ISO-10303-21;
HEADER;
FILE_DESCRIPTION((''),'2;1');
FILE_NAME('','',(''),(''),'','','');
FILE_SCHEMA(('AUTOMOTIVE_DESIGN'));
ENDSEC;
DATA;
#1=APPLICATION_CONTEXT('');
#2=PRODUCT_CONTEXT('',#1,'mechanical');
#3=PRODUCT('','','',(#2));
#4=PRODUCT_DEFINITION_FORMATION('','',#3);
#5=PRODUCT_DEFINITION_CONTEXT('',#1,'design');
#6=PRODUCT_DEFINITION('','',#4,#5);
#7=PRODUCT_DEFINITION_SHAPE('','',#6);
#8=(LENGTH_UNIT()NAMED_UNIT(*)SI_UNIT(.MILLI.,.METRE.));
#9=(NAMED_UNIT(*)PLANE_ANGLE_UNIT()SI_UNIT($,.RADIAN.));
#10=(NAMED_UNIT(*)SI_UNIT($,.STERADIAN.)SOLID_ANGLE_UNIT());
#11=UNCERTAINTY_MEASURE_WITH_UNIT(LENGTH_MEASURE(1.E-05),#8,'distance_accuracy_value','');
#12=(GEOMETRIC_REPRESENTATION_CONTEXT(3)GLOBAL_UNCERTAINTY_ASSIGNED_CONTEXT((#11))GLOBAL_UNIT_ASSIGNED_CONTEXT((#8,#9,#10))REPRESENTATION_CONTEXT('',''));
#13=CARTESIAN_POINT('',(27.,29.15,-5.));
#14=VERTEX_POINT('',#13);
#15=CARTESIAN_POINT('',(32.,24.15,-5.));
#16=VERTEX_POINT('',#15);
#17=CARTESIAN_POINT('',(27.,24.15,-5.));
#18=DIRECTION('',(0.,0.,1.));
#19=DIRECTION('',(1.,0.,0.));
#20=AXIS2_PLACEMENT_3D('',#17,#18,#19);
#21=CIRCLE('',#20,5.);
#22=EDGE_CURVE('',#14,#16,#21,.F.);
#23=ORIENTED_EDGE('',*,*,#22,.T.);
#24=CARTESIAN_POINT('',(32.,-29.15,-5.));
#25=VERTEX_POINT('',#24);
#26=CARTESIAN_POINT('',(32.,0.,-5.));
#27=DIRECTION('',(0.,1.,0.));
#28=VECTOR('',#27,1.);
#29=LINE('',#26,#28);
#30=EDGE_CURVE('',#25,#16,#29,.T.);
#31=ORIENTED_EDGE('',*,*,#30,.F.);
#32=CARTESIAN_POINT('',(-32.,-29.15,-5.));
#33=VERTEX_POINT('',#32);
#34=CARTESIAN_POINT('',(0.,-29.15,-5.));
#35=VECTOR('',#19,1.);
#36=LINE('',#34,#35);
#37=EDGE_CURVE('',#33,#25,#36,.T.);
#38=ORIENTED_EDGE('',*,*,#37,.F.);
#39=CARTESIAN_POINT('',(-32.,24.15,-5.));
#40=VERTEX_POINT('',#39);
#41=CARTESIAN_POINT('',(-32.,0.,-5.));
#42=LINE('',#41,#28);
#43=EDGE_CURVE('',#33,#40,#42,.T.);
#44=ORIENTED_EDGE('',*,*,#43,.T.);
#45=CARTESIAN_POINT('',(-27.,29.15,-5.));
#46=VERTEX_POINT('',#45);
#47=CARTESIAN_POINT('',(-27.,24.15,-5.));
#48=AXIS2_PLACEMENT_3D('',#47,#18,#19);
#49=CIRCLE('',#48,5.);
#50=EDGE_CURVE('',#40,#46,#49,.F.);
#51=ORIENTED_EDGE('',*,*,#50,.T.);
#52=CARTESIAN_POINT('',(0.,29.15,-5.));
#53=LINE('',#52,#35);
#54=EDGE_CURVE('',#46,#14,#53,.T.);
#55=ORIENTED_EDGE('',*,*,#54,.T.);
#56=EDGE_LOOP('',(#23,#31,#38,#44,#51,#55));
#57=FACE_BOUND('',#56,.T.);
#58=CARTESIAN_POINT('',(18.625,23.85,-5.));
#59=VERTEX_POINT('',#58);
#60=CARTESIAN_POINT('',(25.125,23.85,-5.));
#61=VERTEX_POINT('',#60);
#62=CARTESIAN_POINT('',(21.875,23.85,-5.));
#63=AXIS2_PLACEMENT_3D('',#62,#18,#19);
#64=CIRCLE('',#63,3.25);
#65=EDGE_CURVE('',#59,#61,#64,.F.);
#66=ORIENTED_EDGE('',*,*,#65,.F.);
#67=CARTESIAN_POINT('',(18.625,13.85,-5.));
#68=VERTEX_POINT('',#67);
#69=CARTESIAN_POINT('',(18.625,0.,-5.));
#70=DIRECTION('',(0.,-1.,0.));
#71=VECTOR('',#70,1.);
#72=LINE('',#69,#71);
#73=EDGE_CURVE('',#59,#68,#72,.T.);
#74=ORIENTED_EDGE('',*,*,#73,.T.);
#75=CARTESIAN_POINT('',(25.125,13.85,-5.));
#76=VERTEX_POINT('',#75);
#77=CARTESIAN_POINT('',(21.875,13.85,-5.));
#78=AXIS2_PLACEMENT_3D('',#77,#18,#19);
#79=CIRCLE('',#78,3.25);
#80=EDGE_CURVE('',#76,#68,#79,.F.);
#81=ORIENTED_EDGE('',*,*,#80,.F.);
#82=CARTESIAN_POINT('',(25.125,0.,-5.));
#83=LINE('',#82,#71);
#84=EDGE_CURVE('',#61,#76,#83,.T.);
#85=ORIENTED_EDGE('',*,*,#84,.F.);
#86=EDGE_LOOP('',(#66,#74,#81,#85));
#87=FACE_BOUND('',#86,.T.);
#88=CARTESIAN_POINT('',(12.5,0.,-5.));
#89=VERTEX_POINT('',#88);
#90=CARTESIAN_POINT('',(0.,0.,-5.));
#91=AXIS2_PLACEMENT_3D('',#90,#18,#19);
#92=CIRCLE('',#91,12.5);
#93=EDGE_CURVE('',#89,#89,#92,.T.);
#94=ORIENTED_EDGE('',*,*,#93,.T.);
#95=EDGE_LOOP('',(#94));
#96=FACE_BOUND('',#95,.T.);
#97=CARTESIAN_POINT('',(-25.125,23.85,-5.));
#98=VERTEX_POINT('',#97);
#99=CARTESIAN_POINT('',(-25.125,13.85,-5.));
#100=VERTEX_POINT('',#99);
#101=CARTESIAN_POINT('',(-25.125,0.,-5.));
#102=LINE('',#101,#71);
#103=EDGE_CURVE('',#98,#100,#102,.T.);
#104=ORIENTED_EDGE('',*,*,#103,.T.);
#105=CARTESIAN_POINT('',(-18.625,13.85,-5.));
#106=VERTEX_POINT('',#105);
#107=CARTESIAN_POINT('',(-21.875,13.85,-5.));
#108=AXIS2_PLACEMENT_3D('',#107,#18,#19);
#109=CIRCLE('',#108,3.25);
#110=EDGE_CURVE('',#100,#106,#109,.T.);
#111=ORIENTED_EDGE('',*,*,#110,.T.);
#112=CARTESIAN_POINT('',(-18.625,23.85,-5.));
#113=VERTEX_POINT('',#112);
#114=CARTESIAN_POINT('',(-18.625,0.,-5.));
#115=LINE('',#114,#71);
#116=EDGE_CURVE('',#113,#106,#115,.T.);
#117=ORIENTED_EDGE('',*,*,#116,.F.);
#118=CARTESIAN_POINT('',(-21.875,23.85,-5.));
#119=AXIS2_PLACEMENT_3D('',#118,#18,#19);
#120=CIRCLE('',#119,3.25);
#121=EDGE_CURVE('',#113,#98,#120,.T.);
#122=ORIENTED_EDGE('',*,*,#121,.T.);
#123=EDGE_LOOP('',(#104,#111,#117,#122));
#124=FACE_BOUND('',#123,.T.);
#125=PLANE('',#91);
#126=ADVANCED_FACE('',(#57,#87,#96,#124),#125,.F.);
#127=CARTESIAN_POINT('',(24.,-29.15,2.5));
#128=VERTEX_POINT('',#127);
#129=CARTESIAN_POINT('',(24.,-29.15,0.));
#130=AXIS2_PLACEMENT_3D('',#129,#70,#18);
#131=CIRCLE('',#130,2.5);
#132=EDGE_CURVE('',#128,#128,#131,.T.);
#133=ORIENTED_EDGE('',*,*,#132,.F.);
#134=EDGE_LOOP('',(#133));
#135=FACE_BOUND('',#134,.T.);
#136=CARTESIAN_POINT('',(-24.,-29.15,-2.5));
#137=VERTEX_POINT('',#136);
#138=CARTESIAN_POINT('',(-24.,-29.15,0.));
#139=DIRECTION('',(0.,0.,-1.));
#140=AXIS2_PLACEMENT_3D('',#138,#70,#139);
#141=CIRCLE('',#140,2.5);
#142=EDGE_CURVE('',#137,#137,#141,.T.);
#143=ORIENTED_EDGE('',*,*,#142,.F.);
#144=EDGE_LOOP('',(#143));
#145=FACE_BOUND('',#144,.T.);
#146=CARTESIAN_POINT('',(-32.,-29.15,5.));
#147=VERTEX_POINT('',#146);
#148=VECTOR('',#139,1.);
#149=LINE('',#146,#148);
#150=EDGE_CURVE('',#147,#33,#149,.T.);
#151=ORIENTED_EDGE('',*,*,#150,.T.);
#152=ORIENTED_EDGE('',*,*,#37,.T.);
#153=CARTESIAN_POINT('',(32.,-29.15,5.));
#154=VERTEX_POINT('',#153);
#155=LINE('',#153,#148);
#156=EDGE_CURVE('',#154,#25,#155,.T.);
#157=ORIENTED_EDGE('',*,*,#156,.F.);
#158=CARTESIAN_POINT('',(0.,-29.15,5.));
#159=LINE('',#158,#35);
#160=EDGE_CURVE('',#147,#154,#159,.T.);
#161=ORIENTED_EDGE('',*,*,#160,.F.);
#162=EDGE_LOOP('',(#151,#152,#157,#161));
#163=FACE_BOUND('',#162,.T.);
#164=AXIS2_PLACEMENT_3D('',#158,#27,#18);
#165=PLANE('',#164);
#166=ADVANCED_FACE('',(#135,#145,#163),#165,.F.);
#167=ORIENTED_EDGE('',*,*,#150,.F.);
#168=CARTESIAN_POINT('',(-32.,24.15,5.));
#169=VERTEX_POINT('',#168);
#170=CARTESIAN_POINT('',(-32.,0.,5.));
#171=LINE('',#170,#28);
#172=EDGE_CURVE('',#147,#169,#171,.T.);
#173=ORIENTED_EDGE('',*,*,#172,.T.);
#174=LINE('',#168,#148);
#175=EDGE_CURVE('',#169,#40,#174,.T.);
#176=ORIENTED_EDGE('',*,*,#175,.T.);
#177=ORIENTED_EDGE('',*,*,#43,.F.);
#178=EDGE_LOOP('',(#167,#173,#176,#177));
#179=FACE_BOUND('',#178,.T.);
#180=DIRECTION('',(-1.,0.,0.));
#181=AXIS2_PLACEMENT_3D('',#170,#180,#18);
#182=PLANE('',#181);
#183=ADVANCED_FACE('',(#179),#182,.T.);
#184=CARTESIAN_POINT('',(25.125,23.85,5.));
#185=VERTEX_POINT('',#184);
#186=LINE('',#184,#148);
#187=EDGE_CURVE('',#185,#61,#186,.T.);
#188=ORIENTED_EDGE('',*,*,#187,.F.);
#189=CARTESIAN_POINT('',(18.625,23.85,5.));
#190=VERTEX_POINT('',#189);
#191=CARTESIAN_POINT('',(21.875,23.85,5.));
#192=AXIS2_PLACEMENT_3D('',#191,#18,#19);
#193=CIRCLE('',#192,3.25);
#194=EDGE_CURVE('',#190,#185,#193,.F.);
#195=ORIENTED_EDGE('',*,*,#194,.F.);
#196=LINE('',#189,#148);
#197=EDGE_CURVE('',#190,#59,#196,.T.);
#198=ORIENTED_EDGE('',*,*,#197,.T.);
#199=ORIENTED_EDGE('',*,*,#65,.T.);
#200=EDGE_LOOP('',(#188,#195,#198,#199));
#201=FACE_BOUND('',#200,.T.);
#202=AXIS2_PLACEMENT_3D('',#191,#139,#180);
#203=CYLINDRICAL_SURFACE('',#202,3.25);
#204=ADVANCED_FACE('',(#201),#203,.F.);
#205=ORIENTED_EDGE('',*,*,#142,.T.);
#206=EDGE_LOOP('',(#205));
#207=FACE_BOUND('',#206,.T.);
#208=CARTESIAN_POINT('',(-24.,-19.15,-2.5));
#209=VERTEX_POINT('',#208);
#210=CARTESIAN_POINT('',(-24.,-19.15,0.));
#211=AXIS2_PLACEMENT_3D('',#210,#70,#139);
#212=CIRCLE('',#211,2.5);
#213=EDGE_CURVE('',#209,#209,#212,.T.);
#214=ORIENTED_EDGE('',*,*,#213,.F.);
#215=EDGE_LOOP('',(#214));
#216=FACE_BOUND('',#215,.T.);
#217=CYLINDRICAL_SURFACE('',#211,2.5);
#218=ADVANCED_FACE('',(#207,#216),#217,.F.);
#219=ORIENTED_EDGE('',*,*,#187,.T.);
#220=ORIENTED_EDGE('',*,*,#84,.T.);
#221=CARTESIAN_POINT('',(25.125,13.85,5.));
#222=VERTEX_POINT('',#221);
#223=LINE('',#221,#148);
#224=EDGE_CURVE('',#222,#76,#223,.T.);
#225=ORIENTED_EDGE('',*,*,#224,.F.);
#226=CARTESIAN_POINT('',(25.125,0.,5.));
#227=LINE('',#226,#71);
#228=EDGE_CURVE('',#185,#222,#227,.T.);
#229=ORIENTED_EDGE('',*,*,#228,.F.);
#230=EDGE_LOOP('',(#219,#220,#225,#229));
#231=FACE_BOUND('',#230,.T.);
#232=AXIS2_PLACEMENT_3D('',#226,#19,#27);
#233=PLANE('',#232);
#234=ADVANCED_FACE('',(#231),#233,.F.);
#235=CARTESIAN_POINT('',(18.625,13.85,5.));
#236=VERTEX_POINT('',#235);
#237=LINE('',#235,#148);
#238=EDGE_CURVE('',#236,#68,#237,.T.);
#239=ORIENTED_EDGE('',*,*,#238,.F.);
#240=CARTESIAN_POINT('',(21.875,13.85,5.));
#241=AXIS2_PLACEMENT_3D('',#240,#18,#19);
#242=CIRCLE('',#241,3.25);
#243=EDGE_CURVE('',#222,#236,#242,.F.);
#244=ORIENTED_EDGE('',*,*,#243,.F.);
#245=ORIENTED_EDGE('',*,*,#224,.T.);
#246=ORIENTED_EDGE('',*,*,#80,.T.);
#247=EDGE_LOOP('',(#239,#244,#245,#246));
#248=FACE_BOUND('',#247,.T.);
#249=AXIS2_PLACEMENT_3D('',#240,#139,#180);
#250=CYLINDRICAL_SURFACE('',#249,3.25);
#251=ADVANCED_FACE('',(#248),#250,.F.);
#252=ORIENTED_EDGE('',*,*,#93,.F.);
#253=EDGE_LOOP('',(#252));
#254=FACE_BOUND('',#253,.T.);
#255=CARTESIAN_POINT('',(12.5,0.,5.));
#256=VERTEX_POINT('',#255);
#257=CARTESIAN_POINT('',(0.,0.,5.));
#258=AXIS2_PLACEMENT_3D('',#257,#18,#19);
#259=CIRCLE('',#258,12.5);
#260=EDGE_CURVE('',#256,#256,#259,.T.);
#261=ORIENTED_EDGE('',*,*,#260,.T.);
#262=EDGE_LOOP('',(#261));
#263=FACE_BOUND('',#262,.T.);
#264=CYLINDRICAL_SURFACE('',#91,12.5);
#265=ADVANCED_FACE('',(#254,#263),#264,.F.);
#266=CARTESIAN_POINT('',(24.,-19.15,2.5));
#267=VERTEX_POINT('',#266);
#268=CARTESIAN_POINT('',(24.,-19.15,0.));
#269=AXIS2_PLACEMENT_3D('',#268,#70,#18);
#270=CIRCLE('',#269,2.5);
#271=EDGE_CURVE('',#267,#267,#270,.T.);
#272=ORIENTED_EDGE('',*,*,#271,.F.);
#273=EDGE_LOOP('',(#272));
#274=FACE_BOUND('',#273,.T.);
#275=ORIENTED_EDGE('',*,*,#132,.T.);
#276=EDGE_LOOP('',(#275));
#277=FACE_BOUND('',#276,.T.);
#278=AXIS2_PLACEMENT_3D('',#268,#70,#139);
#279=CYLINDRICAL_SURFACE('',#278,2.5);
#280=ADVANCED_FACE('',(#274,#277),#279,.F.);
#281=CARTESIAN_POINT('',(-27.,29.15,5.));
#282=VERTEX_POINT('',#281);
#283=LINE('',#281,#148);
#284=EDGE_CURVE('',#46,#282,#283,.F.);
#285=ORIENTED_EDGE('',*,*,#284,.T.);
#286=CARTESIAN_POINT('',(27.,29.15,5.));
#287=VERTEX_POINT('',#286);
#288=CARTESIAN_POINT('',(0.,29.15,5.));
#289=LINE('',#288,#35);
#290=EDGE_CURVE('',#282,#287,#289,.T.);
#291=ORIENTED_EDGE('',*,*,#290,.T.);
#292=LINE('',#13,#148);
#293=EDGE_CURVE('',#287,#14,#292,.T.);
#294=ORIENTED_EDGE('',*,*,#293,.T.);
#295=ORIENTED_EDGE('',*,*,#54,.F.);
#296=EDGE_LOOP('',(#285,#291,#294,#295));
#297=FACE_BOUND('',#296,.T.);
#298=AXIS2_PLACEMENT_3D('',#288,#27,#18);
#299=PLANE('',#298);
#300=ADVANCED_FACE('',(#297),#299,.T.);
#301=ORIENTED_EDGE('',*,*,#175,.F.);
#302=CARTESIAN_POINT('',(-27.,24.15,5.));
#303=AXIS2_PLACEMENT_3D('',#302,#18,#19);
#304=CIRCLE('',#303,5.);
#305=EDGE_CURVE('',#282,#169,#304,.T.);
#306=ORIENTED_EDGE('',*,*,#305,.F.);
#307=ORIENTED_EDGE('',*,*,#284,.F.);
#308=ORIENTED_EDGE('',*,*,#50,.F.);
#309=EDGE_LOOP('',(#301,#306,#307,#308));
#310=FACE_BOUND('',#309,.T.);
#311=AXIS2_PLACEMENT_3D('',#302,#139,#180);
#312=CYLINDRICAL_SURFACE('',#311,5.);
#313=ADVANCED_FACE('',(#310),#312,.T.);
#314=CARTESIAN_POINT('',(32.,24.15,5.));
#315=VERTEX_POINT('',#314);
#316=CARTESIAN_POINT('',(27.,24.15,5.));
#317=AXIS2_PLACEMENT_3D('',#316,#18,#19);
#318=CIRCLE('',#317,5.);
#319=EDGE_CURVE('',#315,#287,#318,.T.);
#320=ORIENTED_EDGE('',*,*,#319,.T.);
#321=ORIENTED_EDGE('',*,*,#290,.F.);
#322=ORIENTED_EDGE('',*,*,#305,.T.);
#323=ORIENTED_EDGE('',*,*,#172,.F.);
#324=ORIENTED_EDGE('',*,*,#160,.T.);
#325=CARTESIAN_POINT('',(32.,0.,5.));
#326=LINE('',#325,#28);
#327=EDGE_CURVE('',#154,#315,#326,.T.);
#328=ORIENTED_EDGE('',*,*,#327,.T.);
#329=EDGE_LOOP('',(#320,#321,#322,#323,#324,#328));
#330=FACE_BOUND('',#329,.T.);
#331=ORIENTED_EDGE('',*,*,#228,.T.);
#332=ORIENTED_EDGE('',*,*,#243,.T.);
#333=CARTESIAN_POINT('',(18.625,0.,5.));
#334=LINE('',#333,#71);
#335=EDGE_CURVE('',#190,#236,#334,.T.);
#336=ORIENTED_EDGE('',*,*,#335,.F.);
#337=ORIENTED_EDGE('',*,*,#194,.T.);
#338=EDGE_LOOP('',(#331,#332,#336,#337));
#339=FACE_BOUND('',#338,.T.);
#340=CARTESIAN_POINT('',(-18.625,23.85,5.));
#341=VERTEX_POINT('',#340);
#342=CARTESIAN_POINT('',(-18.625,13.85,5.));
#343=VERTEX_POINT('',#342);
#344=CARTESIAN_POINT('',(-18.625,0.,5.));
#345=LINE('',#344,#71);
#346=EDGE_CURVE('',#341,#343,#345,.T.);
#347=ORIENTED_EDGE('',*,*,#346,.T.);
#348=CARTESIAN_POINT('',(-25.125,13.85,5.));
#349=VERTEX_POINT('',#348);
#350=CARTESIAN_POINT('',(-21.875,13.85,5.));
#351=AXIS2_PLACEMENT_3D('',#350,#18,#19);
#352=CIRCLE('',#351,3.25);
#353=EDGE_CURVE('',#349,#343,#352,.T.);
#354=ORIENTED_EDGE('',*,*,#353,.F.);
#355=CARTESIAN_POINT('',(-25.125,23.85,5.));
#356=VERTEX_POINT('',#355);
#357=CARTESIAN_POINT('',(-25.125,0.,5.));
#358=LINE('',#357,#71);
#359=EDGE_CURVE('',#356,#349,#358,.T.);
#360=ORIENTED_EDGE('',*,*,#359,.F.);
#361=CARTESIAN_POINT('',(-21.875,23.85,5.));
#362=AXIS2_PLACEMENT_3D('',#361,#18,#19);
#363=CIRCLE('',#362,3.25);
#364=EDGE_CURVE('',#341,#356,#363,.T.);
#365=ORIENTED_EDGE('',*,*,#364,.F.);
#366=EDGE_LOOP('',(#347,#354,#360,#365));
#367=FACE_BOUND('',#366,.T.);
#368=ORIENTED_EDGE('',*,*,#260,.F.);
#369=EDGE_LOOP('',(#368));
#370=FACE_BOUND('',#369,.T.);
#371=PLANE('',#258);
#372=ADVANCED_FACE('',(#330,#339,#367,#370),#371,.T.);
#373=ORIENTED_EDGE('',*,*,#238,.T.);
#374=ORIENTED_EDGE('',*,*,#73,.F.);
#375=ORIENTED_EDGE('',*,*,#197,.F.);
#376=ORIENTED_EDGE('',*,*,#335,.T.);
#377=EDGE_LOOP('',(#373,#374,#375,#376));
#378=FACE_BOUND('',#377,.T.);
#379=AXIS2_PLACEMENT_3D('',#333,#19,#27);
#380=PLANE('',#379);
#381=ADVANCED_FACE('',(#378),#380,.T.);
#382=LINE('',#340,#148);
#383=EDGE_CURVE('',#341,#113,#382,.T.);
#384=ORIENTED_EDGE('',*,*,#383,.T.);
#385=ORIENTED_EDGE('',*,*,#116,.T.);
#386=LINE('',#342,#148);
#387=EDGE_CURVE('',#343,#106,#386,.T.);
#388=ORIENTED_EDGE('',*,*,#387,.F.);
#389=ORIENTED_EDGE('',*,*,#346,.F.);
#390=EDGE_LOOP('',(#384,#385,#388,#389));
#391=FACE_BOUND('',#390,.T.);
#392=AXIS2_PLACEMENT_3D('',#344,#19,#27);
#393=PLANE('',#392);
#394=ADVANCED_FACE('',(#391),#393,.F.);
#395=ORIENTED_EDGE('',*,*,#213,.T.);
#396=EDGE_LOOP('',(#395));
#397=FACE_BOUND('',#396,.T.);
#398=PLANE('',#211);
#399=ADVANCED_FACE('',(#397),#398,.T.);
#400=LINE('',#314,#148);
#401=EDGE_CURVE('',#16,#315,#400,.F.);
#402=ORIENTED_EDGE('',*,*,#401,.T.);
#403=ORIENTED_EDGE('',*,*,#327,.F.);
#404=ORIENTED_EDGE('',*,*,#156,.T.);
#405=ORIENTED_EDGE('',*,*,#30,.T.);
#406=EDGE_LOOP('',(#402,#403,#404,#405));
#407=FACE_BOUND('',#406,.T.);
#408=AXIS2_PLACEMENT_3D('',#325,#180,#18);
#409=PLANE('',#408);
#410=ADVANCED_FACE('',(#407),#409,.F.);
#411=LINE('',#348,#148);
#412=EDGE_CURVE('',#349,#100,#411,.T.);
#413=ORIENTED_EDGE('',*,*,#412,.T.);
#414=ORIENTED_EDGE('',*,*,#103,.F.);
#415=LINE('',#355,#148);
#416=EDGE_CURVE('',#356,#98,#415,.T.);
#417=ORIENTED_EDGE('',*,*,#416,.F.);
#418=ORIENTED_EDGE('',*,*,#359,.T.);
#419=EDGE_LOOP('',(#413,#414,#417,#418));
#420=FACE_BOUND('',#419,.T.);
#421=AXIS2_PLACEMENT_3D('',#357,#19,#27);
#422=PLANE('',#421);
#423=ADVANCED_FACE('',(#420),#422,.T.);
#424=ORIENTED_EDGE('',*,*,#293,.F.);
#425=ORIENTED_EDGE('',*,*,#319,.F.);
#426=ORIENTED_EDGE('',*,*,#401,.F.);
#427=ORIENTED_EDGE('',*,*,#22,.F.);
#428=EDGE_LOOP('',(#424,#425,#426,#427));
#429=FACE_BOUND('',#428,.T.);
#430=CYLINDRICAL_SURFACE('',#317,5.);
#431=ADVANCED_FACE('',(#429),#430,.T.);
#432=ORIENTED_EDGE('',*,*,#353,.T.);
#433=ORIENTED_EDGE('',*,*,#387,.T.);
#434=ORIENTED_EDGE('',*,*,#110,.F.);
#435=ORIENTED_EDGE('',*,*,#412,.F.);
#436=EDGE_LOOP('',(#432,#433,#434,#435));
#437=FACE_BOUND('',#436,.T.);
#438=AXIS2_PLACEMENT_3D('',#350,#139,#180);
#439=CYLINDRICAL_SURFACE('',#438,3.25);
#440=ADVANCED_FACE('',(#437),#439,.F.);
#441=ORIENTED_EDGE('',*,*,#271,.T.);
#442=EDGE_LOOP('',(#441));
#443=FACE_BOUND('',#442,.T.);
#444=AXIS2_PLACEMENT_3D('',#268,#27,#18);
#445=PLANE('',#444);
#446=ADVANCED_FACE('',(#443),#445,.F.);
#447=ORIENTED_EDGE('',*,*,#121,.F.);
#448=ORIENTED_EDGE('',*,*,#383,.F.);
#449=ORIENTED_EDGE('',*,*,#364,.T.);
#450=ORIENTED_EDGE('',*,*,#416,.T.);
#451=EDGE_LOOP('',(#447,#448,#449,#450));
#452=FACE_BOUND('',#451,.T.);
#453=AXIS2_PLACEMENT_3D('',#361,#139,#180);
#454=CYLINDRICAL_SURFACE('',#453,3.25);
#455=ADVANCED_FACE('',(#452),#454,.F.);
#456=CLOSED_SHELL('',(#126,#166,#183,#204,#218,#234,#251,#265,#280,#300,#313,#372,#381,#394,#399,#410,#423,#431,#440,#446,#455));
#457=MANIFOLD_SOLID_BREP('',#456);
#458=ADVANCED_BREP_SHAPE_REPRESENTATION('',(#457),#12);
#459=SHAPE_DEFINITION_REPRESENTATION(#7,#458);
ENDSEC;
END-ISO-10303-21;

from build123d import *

# Parameters (mm, degrees)
SKETCH2_W           = 64
SKETCH2_H           = 58.3
BOSS_EXTRUDE1_DEPTH = 5
SKETCH3_R           = 2.5
CUT_EXTRUDE1_DEPTH  = 10
FILLET1_R           = 5
SKETCH4_R           = 12.5
CUT_EXTRUDE2_DEPTH  = 10


with BuildPart() as part:
    # Sketch2 → Boss-Extrude1 (new, symmetric)
    with BuildSketch(Plane.XY):
        Rectangle(SKETCH2_W, SKETCH2_H)
        with BuildLine():
            ThreePointArc((-25.125, 23.85), (-21.875, 27.1), (-18.625, 23.85))
            Line((-18.625, 23.85), (-18.625, 13.85))
            ThreePointArc((-18.625, 13.85), (-21.875, 10.6), (-25.125, 13.85))
            Line((-25.125, 13.85), (-25.125, 23.85))
        make_face(mode=Mode.SUBTRACT)
        with BuildLine():
            Line((18.625, 13.85), (18.625, 23.85))
            ThreePointArc((18.625, 23.85), (21.875, 27.1), (25.125, 23.85))
            Line((25.125, 23.85), (25.125, 13.85))
            ThreePointArc((25.125, 13.85), (21.875, 10.6), (18.625, 13.85))
        make_face(mode=Mode.SUBTRACT)
    extrude(amount=BOSS_EXTRUDE1_DEPTH, both=True)

    # Sketch3 → Cut-Extrude1 (cut)
    with BuildSketch(Plane.XZ.offset(29.15)):
        with Locations(Location((-24, 0, 0), (0, 0, 270))):
            Circle(SKETCH3_R)
        with Locations(Location((24, 0, 0), (0, 0, 90))):
            Circle(SKETCH3_R)
    extrude(amount=-CUT_EXTRUDE1_DEPTH, mode=Mode.SUBTRACT)

    # Fillet1
    fillet1_edges = [part.edges().sort_by_distance(p)[0] for p in [
        (-32, 29.15, 0),
        (32, 29.15, 0),
    ]]
    fillet(fillet1_edges, radius=FILLET1_R)

    # Sketch4 → Cut-Extrude2 (cut)
    with BuildSketch(Plane.XY.offset(5)):
        Circle(SKETCH4_R)
    extrude(amount=-CUT_EXTRUDE2_DEPTH, mode=Mode.SUBTRACT)


solid = part.part
